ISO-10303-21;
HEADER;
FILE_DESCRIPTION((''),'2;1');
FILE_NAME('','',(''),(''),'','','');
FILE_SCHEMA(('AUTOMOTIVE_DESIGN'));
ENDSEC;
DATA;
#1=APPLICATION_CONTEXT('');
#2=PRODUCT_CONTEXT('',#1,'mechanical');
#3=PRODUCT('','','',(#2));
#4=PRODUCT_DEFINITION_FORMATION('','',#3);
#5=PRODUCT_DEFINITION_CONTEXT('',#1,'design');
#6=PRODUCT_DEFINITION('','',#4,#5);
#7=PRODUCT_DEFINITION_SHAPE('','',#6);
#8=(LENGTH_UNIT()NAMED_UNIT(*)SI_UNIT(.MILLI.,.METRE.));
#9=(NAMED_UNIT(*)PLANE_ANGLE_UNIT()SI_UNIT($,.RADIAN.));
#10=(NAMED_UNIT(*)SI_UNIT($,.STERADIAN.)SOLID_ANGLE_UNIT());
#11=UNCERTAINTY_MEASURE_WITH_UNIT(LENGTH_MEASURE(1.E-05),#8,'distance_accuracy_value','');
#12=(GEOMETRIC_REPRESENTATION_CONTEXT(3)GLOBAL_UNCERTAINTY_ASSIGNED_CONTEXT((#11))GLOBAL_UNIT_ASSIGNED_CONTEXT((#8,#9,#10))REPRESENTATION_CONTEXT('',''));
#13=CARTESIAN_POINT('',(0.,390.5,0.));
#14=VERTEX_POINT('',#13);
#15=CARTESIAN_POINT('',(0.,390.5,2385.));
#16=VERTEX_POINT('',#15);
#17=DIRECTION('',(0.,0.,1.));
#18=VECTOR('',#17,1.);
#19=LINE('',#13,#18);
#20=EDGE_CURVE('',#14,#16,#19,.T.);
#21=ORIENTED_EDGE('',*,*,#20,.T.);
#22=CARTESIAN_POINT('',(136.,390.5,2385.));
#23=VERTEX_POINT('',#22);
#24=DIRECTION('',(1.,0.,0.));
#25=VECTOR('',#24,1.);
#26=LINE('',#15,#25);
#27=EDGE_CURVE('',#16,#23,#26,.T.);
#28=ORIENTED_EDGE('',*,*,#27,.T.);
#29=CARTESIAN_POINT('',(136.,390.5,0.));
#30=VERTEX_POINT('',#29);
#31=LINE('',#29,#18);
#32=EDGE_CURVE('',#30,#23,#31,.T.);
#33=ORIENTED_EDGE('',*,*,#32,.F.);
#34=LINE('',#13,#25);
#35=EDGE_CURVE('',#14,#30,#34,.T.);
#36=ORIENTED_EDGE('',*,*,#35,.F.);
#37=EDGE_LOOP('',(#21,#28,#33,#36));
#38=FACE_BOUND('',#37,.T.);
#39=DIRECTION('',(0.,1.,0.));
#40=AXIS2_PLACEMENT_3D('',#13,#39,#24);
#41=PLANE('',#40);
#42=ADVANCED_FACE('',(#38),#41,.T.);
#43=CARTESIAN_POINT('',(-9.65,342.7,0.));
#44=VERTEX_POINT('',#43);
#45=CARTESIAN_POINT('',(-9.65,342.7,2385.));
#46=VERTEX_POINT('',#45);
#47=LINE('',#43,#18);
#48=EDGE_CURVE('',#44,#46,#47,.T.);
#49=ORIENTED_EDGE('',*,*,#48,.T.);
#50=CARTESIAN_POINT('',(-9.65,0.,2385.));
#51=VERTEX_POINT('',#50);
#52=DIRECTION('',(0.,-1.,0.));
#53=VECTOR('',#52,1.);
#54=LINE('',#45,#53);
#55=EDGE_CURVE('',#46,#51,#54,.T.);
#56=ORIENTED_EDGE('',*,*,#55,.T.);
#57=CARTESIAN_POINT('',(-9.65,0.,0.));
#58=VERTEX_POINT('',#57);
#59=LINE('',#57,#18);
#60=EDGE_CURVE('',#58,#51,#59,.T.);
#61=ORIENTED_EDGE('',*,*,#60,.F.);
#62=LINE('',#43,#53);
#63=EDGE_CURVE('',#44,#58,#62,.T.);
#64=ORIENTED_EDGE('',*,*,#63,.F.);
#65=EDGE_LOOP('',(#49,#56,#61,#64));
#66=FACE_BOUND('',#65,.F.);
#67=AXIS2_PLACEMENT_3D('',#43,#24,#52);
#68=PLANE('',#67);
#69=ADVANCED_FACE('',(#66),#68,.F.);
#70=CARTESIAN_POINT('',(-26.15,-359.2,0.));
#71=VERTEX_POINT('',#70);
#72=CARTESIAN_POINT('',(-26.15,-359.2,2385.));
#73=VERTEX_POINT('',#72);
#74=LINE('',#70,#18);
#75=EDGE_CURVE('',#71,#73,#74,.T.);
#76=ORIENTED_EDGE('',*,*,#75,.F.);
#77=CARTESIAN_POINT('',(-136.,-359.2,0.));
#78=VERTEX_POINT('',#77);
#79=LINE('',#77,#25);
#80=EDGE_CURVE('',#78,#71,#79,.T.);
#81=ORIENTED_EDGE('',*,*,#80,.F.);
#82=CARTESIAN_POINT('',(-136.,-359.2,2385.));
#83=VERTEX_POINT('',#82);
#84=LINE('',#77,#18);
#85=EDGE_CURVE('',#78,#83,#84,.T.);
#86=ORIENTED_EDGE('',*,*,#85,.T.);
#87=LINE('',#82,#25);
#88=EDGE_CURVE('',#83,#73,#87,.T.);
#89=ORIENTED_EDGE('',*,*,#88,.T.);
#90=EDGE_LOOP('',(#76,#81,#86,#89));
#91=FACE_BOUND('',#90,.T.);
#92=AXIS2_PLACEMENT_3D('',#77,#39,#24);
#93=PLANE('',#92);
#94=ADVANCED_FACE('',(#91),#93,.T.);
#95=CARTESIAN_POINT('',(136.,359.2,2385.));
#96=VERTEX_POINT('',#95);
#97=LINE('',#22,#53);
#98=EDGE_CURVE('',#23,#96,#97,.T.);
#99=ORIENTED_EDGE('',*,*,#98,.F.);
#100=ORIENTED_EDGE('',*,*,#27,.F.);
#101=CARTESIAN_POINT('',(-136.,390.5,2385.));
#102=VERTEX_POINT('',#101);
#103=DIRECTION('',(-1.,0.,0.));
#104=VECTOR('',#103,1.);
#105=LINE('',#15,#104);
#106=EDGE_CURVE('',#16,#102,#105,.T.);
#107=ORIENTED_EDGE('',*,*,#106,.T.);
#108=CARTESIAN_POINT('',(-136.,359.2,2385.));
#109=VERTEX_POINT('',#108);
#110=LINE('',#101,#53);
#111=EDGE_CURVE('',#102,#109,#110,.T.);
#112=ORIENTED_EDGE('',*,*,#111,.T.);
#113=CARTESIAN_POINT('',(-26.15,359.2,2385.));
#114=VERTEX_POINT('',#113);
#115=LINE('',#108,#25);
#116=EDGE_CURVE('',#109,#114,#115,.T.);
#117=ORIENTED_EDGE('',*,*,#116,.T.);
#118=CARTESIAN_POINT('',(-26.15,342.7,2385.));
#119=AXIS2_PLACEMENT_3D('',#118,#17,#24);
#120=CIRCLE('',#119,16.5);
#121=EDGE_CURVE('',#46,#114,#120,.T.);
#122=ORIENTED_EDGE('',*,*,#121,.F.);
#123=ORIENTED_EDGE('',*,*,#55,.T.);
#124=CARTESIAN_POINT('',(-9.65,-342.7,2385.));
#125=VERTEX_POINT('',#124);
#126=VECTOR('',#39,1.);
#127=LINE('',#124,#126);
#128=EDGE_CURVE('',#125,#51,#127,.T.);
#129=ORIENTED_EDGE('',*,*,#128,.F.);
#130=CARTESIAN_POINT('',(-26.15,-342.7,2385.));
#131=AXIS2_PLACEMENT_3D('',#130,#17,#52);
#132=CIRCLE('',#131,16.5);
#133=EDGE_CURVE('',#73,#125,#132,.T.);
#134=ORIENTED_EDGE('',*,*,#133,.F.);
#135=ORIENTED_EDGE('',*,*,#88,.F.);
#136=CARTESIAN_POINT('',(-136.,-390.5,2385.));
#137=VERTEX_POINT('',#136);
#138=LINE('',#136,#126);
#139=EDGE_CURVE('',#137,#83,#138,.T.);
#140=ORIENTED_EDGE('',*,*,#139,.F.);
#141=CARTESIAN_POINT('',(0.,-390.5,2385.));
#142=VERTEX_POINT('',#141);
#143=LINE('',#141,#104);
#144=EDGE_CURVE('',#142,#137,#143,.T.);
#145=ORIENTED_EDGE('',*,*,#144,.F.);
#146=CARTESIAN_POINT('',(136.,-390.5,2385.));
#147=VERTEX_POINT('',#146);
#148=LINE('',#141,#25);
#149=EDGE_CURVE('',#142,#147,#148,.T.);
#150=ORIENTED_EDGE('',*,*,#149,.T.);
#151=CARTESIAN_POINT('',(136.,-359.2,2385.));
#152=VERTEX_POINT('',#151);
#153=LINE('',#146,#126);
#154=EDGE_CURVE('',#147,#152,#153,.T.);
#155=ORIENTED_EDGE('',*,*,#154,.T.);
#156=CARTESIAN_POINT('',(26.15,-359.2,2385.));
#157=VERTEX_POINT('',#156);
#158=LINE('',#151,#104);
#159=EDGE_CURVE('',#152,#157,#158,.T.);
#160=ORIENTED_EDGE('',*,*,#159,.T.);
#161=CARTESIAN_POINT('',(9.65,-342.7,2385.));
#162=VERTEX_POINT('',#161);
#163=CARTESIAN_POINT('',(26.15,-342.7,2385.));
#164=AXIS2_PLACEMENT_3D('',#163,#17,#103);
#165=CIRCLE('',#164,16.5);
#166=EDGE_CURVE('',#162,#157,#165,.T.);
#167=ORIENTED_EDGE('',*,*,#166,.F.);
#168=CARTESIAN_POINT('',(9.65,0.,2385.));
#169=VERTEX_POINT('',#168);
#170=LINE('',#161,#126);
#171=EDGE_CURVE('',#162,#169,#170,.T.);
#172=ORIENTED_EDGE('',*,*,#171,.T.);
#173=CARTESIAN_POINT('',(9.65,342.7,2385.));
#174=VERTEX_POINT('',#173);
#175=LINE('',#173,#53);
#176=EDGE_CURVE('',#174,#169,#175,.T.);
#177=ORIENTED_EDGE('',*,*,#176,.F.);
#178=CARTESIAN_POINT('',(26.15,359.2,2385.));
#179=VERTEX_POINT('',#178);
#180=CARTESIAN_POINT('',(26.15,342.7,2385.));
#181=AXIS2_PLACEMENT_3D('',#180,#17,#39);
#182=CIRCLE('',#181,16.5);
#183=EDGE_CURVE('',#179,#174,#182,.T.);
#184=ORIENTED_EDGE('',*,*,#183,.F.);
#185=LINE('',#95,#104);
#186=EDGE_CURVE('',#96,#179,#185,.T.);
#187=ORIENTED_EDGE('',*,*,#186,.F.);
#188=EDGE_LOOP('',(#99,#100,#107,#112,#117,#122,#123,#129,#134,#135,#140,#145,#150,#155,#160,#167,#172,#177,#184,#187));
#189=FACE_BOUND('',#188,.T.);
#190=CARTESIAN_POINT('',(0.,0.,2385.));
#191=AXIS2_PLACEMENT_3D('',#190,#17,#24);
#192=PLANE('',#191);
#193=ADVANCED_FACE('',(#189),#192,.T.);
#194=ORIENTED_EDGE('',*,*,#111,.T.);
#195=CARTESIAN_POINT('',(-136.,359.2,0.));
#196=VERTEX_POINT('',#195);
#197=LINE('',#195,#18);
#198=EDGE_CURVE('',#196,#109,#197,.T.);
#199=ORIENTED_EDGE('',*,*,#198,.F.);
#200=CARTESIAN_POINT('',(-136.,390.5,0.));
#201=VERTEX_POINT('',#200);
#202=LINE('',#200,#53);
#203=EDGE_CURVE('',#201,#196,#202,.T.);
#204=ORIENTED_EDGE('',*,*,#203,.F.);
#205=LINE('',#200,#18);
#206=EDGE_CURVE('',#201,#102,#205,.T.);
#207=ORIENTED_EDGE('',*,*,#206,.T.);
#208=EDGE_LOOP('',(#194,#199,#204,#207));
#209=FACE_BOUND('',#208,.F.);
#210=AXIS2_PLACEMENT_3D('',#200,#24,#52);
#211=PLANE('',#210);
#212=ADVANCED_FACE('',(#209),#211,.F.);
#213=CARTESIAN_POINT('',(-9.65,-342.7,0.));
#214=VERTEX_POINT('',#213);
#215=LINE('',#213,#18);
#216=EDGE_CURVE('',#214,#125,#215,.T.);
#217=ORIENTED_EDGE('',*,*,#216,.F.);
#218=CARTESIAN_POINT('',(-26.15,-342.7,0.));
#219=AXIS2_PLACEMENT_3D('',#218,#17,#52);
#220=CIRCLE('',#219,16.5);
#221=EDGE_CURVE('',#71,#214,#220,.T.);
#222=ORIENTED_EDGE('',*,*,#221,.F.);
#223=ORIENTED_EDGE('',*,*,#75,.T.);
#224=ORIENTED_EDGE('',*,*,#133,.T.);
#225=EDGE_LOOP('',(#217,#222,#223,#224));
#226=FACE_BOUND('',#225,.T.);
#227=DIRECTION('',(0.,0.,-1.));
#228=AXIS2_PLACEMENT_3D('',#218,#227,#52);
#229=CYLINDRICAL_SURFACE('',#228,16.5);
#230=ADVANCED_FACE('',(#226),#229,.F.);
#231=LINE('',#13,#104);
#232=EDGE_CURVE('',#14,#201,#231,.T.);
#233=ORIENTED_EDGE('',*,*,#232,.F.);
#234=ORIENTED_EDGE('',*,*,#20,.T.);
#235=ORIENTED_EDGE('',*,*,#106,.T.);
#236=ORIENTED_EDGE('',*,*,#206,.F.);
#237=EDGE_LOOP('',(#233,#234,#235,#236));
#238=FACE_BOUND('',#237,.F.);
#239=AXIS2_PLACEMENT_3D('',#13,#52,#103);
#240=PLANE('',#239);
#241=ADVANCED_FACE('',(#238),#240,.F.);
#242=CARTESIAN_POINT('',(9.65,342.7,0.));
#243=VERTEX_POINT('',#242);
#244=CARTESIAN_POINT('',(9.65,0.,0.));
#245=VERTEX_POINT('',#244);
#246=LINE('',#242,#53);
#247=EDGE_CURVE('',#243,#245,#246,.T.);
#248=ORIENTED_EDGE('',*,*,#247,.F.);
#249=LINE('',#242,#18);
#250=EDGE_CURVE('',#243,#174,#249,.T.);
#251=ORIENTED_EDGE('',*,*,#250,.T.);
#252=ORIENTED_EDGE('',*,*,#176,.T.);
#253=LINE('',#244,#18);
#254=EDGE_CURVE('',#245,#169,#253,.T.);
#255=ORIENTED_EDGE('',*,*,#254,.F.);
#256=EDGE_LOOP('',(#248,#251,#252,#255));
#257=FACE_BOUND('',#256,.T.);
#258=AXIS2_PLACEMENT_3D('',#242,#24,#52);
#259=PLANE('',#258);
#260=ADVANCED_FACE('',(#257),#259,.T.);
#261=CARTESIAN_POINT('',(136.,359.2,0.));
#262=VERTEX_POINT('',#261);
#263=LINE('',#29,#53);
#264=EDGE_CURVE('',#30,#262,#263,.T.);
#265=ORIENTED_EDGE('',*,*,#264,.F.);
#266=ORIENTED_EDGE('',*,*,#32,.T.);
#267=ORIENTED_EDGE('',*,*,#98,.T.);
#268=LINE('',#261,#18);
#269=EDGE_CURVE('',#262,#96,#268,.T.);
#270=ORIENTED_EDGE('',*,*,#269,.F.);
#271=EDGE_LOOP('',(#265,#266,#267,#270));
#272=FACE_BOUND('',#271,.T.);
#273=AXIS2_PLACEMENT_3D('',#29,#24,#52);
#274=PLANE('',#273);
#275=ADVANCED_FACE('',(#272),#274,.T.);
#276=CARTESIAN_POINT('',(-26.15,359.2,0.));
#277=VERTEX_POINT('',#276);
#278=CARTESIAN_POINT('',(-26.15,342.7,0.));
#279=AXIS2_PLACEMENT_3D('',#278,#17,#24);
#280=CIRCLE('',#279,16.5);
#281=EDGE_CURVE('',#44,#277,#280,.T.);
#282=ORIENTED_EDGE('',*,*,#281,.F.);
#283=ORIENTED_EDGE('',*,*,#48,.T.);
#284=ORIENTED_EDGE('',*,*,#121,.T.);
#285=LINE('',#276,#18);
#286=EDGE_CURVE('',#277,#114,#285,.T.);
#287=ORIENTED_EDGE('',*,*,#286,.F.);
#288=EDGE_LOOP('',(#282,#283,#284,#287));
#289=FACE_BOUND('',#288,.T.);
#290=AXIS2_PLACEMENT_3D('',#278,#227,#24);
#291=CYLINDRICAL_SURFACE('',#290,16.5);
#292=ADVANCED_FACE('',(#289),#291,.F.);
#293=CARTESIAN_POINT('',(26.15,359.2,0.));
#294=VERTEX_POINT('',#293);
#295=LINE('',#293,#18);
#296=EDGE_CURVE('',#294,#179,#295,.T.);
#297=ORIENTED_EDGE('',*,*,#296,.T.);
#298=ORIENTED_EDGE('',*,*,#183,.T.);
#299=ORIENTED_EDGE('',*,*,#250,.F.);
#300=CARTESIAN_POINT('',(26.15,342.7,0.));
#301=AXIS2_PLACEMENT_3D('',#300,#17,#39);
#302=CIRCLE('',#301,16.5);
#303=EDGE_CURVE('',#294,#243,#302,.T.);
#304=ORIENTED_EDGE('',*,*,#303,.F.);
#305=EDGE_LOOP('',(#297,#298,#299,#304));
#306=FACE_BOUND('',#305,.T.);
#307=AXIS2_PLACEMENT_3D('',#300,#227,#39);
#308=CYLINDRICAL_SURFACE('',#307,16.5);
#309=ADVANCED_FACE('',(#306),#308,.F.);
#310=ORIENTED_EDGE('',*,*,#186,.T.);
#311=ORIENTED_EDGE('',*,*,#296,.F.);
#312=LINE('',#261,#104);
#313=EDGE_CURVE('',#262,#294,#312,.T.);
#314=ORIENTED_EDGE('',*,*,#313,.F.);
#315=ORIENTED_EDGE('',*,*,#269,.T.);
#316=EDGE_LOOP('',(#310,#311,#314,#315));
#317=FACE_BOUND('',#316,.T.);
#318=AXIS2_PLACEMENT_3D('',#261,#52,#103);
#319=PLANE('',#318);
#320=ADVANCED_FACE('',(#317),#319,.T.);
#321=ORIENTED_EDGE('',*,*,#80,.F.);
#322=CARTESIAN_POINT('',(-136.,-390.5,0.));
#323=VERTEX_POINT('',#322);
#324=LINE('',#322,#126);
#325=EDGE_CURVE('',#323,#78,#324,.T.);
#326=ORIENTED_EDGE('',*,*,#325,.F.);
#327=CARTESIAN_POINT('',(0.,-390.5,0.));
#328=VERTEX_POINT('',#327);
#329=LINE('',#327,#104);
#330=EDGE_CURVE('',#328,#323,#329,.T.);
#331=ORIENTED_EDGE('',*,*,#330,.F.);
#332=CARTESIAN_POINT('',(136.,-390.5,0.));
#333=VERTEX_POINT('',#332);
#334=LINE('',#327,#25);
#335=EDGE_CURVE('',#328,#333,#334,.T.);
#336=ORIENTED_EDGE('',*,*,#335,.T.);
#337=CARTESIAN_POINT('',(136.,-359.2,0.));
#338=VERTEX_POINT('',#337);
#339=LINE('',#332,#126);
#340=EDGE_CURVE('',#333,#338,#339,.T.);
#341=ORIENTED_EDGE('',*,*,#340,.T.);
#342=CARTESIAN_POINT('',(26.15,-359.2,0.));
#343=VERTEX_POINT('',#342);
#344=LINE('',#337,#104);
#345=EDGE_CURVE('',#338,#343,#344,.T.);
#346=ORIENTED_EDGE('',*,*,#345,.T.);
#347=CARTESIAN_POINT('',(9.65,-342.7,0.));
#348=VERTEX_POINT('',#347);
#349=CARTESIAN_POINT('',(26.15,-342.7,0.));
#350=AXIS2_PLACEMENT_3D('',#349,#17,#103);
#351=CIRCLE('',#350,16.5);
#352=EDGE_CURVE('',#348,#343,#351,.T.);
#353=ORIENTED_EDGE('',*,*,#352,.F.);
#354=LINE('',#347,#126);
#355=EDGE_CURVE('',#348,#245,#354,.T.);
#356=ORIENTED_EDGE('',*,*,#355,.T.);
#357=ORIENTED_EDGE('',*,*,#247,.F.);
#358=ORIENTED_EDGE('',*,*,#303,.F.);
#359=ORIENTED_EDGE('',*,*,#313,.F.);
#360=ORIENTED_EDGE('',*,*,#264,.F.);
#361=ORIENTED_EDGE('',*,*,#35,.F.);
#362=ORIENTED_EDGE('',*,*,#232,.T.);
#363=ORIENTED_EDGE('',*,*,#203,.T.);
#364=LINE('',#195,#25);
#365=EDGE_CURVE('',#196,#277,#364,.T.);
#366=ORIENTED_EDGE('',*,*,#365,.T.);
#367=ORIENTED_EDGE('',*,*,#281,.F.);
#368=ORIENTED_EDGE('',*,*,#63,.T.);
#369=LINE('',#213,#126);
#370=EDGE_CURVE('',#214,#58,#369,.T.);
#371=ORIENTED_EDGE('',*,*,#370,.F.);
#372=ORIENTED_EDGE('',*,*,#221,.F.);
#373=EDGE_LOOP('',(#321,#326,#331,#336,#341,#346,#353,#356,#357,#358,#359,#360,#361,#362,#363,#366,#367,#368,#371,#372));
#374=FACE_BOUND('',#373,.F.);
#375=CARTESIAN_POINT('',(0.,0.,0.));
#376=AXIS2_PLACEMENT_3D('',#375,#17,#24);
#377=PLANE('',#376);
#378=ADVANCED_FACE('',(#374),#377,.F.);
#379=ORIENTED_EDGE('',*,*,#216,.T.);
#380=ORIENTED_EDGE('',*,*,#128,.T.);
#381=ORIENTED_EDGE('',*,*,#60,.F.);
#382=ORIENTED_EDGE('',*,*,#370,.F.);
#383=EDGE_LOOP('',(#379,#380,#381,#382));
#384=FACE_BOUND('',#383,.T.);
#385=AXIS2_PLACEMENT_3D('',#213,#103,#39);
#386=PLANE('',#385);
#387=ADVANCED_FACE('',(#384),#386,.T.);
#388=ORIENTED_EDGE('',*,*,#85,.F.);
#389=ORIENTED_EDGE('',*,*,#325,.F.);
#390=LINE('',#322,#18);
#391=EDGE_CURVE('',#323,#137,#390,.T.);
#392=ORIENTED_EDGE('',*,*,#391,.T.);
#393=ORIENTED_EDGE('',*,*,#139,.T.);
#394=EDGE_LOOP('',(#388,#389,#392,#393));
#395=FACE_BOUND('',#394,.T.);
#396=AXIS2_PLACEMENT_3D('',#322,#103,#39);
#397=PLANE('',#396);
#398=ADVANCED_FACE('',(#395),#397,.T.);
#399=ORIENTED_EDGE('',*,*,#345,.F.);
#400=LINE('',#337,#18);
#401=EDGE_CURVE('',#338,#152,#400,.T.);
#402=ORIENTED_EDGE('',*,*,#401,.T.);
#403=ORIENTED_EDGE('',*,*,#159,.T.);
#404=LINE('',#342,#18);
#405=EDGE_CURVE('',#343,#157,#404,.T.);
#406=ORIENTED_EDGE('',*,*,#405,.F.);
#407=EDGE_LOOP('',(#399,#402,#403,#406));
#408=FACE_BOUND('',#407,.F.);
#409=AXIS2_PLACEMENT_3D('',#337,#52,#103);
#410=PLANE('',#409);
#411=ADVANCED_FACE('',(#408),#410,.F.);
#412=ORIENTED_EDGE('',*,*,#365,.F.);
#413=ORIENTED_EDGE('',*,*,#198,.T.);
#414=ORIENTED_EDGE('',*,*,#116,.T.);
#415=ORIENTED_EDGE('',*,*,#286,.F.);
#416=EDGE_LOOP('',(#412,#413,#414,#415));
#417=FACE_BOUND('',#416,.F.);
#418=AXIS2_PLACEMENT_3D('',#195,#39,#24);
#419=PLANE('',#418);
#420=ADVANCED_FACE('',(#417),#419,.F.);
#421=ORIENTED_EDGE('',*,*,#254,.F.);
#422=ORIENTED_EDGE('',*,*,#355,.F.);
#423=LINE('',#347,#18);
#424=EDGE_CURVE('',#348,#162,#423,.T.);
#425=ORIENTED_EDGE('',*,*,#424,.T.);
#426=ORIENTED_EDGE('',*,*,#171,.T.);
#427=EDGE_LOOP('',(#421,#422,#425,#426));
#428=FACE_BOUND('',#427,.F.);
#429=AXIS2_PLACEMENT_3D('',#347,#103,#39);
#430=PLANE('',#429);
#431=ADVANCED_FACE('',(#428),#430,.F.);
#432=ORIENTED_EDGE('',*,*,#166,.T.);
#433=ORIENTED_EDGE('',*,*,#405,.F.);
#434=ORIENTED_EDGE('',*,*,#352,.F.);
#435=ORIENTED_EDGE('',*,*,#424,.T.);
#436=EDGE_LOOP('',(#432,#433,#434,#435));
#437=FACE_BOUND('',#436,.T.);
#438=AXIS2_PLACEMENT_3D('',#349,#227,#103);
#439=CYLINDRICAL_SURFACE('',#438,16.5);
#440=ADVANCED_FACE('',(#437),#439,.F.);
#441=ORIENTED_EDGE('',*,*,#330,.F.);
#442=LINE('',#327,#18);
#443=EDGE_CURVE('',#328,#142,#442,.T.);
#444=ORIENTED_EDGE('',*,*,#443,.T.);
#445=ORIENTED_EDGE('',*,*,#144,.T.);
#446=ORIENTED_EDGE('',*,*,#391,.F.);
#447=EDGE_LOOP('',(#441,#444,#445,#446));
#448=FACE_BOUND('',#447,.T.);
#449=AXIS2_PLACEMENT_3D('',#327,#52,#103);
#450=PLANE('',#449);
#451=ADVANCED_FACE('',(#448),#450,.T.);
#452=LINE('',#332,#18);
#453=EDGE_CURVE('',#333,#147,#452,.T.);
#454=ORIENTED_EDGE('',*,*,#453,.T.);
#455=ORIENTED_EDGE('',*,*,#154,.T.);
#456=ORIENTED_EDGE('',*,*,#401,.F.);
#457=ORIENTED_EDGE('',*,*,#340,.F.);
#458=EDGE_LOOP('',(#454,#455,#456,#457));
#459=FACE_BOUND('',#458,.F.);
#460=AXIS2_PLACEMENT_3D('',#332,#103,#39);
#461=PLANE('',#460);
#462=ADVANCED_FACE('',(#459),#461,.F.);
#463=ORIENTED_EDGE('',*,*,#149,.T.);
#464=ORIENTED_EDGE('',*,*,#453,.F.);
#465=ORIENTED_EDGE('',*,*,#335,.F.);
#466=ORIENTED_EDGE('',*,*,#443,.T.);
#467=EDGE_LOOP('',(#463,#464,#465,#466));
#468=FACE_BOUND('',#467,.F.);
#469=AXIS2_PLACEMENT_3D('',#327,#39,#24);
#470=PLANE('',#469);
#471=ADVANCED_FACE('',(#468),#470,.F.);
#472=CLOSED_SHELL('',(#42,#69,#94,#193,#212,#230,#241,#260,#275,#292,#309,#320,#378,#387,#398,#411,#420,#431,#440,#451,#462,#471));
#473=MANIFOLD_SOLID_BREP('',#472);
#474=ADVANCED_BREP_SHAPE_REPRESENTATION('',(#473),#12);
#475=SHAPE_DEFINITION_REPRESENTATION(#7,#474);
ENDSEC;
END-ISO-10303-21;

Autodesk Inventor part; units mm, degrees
ref_plane "YZ Plane" through (0, 0, 0) normal (1, 0, 0) x (0, 1, 0)
ref_plane "Start plane" through (0, 0, 0) normal (0, 0, 1) x (1, 0, 0)
ref_plane "End plane" through (0, 0, 2385) normal (0, 0, 1) x (1, 0, 0)
sketch "Sketch" plane through (0, 0, 0) normal (0, 0, 1) x (1, 0, 0)
  line L0 (-136, -390.5) -> (-136, -359.2)
  line L1 (-136, -359.2) -> (-26.15, -359.2)
  line L2 (-9.65, -342.7) -> (-9.65, 0)
  line L3 (-9.65, 0) -> (0, 0) construction
  line L4 (0, 0) -> (0, -390.5) construction
  line L5 (0, -390.5) -> (-136, -390.5)
  line L6 (-60, 0) -> (80, 0) construction
  line L7 (0, -60) -> (0, 80) construction
  line L8 (136, -390.5) -> (136, -359.2)
  line L9 (136, -359.2) -> (26.15, -359.2)
  line L10 (9.65, -342.7) -> (9.65, 0)
  line L11 (9.65, 0) -> (0, 0) construction
  line L12 (0, -390.5) -> (136, -390.5)
  line L13 (-136, 390.5) -> (-136, 359.2)
  line L14 (-136, 359.2) -> (-26.15, 359.2)
  line L15 (-9.65, 342.7) -> (-9.65, 0)
  line L16 (0, 390.5) -> (-136, 390.5)
  line L17 (136, 390.5) -> (136, 359.2)
  line L18 (136, 359.2) -> (26.15, 359.2)
  line L19 (0, 390.5) -> (136, 390.5)
  line L20 (9.65, 342.7) -> (9.65, 0)
  arc A0 (-9.65, 342.7) -> (-26.15, 359.2) centre (-26.15, 342.7) ccw
  arc A1 (26.15, 359.2) -> (9.65, 342.7) centre (26.15, 342.7) ccw
  arc A2 (9.65, -342.7) -> (26.15, -359.2) centre (26.15, -342.7) ccw
  arc A3 (-26.15, -359.2) -> (-9.65, -342.7) centre (-26.15, -342.7) ccw
  line L21 (0, 108) -> (0, -88) construction
  line L22 (-88, 0) -> (108, 0) construction
  point P0 (-9.65, -359.2)
  point P1 (9.65, -359.2)
  point P2 (-9.65, 359.2)
  point P3 (9.65, 359.2)
  dimension "d1" = 390.5
  dimension "d2" = 31.3
  dimension "d3" = 136
  dimension "d4" = 9.65
  dimension "d10" = 16.5
extrude "Body" add sketch "Sketch" along normal up to surface (2385 mm away) from surface at 0
sketch "Sketch4" plane through (0, 0, 0) normal (0, 0, 1) x (1, 0, 0)
  line L0 (0, 0) -> (10, 0)
ref_plane "Work Plane3" through (0, 0, 0) normal (0, -1, 0) x (1, 0, 0)
sketch "Sketch5" plane through (0, 0, 0) normal (0, -1, 0) x (1, 0, 0)
  line L0 (-2, 0) -> (12, 0) projected
  line L1 (-2, 2385) -> (12, 2385) projected
  dimension "d14" = 2385
equation "\"d1\" = 0.5 * G_H"
equation "\"d2\" = G_T1"
equation "\"d3\" = 0.5 * G_W"
equation "\"d4\" = 0.5 * G_T"
equation "\"d10\" = G_IR"
equation "\"d5\" = G_L"
equation "\"G_W\" = 272"
equation "\"G_H\" = 781"
equation "\"G_T\" = 19.3"
equation "\"G_T1\" = 31.3"
equation "\"G_IR\" = 16.5"
equation "\"G_L\" = d14"
equation "\"G_OFFSET_START\" = 0"
equation "\"G_OFFSET_END\" = 0"
equation "\"d12\" = G_OFFSET_END + B_L"
equation "\"B_L\" = 2385"
properties part number "AS 3679-1990 - 760 UB - 244 - 2385" material "Steel, Mild"
